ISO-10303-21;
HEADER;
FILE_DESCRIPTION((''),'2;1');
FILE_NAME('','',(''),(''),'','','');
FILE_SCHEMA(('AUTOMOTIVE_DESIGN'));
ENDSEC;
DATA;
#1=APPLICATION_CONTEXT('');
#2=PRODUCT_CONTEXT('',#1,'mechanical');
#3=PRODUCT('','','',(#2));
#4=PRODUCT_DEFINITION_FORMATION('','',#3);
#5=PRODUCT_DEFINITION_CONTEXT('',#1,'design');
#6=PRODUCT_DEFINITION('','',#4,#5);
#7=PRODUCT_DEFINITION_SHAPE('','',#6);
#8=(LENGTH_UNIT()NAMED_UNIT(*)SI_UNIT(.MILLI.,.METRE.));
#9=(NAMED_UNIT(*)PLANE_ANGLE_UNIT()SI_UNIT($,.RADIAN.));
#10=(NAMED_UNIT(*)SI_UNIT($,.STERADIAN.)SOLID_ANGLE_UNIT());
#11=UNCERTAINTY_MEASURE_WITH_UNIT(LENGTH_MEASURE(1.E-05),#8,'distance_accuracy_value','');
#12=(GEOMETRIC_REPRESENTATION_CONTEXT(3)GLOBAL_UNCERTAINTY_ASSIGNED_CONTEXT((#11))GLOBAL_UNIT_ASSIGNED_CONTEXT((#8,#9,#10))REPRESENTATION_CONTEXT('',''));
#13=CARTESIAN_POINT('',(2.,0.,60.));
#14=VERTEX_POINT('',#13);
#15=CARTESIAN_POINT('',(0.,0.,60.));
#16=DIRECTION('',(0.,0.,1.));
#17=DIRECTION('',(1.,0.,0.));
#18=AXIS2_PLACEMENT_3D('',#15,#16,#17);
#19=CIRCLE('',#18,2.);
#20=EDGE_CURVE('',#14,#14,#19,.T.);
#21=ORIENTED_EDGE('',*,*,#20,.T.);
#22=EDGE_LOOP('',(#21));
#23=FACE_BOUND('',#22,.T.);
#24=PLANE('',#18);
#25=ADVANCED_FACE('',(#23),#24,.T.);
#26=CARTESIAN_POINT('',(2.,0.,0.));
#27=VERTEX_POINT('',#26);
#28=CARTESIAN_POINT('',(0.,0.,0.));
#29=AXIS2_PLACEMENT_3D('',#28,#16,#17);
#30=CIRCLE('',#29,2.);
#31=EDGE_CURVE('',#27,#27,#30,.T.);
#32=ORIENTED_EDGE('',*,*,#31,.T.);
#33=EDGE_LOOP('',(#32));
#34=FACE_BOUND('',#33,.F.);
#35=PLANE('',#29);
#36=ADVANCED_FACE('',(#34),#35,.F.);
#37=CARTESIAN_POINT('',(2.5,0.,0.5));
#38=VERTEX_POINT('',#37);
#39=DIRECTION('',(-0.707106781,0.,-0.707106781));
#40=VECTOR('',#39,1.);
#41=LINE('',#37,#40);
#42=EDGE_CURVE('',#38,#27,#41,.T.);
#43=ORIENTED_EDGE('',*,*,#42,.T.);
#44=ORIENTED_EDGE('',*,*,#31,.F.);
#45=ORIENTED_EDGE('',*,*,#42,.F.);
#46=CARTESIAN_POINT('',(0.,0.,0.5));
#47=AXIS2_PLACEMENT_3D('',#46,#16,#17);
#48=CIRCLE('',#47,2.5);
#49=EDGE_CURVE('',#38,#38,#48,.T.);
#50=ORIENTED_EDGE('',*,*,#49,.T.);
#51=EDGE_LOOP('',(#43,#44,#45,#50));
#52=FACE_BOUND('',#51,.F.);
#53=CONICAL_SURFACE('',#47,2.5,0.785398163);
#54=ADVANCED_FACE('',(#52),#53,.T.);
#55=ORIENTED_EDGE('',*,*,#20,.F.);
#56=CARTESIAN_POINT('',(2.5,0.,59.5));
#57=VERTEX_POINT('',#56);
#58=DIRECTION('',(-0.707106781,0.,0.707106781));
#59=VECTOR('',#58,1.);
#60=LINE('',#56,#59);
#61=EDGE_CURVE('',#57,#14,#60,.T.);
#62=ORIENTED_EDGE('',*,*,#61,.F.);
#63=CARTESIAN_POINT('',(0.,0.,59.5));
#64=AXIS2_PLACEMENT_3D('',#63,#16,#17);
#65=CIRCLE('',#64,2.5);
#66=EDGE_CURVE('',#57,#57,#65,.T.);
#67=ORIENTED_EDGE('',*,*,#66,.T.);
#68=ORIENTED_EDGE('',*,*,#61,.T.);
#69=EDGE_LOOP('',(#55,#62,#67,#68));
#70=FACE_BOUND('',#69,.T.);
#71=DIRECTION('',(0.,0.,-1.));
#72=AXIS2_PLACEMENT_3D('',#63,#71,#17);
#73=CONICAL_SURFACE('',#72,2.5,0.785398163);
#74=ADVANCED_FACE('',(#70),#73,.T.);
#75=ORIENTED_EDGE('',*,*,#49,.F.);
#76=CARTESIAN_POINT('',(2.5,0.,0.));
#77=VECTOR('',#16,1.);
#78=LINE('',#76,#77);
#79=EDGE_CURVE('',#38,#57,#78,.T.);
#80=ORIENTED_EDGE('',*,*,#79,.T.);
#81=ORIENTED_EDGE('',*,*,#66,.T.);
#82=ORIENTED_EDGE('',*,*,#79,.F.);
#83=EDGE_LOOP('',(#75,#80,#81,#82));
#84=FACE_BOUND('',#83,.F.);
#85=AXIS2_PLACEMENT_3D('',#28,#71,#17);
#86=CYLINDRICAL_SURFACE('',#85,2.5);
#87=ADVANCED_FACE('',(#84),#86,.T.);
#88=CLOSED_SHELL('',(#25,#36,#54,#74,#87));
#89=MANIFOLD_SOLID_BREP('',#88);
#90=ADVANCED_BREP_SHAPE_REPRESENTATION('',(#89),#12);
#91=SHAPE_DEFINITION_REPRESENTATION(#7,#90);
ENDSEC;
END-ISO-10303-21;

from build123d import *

# Parameters (mm, degrees)
SKETCH1_R           = 2.5
BOSS_EXTRUDE1_DEPTH = 60
CHAMFER1_SIZE       = 0.5


with BuildPart() as part:
    # Sketch1 → Boss-Extrude1 (new body)
    with BuildSketch(Plane.XY):
        Circle(SKETCH1_R)
    extrude(amount=BOSS_EXTRUDE1_DEPTH)

    # Chamfer1
    chamfer1_edges = [part.edges().sort_by_distance(p)[0] for p in [
        (-2.5, 0, 0),
        (-2.5, 0, 60),
    ]]
    chamfer(chamfer1_edges, length=CHAMFER1_SIZE)


solid = part.part
